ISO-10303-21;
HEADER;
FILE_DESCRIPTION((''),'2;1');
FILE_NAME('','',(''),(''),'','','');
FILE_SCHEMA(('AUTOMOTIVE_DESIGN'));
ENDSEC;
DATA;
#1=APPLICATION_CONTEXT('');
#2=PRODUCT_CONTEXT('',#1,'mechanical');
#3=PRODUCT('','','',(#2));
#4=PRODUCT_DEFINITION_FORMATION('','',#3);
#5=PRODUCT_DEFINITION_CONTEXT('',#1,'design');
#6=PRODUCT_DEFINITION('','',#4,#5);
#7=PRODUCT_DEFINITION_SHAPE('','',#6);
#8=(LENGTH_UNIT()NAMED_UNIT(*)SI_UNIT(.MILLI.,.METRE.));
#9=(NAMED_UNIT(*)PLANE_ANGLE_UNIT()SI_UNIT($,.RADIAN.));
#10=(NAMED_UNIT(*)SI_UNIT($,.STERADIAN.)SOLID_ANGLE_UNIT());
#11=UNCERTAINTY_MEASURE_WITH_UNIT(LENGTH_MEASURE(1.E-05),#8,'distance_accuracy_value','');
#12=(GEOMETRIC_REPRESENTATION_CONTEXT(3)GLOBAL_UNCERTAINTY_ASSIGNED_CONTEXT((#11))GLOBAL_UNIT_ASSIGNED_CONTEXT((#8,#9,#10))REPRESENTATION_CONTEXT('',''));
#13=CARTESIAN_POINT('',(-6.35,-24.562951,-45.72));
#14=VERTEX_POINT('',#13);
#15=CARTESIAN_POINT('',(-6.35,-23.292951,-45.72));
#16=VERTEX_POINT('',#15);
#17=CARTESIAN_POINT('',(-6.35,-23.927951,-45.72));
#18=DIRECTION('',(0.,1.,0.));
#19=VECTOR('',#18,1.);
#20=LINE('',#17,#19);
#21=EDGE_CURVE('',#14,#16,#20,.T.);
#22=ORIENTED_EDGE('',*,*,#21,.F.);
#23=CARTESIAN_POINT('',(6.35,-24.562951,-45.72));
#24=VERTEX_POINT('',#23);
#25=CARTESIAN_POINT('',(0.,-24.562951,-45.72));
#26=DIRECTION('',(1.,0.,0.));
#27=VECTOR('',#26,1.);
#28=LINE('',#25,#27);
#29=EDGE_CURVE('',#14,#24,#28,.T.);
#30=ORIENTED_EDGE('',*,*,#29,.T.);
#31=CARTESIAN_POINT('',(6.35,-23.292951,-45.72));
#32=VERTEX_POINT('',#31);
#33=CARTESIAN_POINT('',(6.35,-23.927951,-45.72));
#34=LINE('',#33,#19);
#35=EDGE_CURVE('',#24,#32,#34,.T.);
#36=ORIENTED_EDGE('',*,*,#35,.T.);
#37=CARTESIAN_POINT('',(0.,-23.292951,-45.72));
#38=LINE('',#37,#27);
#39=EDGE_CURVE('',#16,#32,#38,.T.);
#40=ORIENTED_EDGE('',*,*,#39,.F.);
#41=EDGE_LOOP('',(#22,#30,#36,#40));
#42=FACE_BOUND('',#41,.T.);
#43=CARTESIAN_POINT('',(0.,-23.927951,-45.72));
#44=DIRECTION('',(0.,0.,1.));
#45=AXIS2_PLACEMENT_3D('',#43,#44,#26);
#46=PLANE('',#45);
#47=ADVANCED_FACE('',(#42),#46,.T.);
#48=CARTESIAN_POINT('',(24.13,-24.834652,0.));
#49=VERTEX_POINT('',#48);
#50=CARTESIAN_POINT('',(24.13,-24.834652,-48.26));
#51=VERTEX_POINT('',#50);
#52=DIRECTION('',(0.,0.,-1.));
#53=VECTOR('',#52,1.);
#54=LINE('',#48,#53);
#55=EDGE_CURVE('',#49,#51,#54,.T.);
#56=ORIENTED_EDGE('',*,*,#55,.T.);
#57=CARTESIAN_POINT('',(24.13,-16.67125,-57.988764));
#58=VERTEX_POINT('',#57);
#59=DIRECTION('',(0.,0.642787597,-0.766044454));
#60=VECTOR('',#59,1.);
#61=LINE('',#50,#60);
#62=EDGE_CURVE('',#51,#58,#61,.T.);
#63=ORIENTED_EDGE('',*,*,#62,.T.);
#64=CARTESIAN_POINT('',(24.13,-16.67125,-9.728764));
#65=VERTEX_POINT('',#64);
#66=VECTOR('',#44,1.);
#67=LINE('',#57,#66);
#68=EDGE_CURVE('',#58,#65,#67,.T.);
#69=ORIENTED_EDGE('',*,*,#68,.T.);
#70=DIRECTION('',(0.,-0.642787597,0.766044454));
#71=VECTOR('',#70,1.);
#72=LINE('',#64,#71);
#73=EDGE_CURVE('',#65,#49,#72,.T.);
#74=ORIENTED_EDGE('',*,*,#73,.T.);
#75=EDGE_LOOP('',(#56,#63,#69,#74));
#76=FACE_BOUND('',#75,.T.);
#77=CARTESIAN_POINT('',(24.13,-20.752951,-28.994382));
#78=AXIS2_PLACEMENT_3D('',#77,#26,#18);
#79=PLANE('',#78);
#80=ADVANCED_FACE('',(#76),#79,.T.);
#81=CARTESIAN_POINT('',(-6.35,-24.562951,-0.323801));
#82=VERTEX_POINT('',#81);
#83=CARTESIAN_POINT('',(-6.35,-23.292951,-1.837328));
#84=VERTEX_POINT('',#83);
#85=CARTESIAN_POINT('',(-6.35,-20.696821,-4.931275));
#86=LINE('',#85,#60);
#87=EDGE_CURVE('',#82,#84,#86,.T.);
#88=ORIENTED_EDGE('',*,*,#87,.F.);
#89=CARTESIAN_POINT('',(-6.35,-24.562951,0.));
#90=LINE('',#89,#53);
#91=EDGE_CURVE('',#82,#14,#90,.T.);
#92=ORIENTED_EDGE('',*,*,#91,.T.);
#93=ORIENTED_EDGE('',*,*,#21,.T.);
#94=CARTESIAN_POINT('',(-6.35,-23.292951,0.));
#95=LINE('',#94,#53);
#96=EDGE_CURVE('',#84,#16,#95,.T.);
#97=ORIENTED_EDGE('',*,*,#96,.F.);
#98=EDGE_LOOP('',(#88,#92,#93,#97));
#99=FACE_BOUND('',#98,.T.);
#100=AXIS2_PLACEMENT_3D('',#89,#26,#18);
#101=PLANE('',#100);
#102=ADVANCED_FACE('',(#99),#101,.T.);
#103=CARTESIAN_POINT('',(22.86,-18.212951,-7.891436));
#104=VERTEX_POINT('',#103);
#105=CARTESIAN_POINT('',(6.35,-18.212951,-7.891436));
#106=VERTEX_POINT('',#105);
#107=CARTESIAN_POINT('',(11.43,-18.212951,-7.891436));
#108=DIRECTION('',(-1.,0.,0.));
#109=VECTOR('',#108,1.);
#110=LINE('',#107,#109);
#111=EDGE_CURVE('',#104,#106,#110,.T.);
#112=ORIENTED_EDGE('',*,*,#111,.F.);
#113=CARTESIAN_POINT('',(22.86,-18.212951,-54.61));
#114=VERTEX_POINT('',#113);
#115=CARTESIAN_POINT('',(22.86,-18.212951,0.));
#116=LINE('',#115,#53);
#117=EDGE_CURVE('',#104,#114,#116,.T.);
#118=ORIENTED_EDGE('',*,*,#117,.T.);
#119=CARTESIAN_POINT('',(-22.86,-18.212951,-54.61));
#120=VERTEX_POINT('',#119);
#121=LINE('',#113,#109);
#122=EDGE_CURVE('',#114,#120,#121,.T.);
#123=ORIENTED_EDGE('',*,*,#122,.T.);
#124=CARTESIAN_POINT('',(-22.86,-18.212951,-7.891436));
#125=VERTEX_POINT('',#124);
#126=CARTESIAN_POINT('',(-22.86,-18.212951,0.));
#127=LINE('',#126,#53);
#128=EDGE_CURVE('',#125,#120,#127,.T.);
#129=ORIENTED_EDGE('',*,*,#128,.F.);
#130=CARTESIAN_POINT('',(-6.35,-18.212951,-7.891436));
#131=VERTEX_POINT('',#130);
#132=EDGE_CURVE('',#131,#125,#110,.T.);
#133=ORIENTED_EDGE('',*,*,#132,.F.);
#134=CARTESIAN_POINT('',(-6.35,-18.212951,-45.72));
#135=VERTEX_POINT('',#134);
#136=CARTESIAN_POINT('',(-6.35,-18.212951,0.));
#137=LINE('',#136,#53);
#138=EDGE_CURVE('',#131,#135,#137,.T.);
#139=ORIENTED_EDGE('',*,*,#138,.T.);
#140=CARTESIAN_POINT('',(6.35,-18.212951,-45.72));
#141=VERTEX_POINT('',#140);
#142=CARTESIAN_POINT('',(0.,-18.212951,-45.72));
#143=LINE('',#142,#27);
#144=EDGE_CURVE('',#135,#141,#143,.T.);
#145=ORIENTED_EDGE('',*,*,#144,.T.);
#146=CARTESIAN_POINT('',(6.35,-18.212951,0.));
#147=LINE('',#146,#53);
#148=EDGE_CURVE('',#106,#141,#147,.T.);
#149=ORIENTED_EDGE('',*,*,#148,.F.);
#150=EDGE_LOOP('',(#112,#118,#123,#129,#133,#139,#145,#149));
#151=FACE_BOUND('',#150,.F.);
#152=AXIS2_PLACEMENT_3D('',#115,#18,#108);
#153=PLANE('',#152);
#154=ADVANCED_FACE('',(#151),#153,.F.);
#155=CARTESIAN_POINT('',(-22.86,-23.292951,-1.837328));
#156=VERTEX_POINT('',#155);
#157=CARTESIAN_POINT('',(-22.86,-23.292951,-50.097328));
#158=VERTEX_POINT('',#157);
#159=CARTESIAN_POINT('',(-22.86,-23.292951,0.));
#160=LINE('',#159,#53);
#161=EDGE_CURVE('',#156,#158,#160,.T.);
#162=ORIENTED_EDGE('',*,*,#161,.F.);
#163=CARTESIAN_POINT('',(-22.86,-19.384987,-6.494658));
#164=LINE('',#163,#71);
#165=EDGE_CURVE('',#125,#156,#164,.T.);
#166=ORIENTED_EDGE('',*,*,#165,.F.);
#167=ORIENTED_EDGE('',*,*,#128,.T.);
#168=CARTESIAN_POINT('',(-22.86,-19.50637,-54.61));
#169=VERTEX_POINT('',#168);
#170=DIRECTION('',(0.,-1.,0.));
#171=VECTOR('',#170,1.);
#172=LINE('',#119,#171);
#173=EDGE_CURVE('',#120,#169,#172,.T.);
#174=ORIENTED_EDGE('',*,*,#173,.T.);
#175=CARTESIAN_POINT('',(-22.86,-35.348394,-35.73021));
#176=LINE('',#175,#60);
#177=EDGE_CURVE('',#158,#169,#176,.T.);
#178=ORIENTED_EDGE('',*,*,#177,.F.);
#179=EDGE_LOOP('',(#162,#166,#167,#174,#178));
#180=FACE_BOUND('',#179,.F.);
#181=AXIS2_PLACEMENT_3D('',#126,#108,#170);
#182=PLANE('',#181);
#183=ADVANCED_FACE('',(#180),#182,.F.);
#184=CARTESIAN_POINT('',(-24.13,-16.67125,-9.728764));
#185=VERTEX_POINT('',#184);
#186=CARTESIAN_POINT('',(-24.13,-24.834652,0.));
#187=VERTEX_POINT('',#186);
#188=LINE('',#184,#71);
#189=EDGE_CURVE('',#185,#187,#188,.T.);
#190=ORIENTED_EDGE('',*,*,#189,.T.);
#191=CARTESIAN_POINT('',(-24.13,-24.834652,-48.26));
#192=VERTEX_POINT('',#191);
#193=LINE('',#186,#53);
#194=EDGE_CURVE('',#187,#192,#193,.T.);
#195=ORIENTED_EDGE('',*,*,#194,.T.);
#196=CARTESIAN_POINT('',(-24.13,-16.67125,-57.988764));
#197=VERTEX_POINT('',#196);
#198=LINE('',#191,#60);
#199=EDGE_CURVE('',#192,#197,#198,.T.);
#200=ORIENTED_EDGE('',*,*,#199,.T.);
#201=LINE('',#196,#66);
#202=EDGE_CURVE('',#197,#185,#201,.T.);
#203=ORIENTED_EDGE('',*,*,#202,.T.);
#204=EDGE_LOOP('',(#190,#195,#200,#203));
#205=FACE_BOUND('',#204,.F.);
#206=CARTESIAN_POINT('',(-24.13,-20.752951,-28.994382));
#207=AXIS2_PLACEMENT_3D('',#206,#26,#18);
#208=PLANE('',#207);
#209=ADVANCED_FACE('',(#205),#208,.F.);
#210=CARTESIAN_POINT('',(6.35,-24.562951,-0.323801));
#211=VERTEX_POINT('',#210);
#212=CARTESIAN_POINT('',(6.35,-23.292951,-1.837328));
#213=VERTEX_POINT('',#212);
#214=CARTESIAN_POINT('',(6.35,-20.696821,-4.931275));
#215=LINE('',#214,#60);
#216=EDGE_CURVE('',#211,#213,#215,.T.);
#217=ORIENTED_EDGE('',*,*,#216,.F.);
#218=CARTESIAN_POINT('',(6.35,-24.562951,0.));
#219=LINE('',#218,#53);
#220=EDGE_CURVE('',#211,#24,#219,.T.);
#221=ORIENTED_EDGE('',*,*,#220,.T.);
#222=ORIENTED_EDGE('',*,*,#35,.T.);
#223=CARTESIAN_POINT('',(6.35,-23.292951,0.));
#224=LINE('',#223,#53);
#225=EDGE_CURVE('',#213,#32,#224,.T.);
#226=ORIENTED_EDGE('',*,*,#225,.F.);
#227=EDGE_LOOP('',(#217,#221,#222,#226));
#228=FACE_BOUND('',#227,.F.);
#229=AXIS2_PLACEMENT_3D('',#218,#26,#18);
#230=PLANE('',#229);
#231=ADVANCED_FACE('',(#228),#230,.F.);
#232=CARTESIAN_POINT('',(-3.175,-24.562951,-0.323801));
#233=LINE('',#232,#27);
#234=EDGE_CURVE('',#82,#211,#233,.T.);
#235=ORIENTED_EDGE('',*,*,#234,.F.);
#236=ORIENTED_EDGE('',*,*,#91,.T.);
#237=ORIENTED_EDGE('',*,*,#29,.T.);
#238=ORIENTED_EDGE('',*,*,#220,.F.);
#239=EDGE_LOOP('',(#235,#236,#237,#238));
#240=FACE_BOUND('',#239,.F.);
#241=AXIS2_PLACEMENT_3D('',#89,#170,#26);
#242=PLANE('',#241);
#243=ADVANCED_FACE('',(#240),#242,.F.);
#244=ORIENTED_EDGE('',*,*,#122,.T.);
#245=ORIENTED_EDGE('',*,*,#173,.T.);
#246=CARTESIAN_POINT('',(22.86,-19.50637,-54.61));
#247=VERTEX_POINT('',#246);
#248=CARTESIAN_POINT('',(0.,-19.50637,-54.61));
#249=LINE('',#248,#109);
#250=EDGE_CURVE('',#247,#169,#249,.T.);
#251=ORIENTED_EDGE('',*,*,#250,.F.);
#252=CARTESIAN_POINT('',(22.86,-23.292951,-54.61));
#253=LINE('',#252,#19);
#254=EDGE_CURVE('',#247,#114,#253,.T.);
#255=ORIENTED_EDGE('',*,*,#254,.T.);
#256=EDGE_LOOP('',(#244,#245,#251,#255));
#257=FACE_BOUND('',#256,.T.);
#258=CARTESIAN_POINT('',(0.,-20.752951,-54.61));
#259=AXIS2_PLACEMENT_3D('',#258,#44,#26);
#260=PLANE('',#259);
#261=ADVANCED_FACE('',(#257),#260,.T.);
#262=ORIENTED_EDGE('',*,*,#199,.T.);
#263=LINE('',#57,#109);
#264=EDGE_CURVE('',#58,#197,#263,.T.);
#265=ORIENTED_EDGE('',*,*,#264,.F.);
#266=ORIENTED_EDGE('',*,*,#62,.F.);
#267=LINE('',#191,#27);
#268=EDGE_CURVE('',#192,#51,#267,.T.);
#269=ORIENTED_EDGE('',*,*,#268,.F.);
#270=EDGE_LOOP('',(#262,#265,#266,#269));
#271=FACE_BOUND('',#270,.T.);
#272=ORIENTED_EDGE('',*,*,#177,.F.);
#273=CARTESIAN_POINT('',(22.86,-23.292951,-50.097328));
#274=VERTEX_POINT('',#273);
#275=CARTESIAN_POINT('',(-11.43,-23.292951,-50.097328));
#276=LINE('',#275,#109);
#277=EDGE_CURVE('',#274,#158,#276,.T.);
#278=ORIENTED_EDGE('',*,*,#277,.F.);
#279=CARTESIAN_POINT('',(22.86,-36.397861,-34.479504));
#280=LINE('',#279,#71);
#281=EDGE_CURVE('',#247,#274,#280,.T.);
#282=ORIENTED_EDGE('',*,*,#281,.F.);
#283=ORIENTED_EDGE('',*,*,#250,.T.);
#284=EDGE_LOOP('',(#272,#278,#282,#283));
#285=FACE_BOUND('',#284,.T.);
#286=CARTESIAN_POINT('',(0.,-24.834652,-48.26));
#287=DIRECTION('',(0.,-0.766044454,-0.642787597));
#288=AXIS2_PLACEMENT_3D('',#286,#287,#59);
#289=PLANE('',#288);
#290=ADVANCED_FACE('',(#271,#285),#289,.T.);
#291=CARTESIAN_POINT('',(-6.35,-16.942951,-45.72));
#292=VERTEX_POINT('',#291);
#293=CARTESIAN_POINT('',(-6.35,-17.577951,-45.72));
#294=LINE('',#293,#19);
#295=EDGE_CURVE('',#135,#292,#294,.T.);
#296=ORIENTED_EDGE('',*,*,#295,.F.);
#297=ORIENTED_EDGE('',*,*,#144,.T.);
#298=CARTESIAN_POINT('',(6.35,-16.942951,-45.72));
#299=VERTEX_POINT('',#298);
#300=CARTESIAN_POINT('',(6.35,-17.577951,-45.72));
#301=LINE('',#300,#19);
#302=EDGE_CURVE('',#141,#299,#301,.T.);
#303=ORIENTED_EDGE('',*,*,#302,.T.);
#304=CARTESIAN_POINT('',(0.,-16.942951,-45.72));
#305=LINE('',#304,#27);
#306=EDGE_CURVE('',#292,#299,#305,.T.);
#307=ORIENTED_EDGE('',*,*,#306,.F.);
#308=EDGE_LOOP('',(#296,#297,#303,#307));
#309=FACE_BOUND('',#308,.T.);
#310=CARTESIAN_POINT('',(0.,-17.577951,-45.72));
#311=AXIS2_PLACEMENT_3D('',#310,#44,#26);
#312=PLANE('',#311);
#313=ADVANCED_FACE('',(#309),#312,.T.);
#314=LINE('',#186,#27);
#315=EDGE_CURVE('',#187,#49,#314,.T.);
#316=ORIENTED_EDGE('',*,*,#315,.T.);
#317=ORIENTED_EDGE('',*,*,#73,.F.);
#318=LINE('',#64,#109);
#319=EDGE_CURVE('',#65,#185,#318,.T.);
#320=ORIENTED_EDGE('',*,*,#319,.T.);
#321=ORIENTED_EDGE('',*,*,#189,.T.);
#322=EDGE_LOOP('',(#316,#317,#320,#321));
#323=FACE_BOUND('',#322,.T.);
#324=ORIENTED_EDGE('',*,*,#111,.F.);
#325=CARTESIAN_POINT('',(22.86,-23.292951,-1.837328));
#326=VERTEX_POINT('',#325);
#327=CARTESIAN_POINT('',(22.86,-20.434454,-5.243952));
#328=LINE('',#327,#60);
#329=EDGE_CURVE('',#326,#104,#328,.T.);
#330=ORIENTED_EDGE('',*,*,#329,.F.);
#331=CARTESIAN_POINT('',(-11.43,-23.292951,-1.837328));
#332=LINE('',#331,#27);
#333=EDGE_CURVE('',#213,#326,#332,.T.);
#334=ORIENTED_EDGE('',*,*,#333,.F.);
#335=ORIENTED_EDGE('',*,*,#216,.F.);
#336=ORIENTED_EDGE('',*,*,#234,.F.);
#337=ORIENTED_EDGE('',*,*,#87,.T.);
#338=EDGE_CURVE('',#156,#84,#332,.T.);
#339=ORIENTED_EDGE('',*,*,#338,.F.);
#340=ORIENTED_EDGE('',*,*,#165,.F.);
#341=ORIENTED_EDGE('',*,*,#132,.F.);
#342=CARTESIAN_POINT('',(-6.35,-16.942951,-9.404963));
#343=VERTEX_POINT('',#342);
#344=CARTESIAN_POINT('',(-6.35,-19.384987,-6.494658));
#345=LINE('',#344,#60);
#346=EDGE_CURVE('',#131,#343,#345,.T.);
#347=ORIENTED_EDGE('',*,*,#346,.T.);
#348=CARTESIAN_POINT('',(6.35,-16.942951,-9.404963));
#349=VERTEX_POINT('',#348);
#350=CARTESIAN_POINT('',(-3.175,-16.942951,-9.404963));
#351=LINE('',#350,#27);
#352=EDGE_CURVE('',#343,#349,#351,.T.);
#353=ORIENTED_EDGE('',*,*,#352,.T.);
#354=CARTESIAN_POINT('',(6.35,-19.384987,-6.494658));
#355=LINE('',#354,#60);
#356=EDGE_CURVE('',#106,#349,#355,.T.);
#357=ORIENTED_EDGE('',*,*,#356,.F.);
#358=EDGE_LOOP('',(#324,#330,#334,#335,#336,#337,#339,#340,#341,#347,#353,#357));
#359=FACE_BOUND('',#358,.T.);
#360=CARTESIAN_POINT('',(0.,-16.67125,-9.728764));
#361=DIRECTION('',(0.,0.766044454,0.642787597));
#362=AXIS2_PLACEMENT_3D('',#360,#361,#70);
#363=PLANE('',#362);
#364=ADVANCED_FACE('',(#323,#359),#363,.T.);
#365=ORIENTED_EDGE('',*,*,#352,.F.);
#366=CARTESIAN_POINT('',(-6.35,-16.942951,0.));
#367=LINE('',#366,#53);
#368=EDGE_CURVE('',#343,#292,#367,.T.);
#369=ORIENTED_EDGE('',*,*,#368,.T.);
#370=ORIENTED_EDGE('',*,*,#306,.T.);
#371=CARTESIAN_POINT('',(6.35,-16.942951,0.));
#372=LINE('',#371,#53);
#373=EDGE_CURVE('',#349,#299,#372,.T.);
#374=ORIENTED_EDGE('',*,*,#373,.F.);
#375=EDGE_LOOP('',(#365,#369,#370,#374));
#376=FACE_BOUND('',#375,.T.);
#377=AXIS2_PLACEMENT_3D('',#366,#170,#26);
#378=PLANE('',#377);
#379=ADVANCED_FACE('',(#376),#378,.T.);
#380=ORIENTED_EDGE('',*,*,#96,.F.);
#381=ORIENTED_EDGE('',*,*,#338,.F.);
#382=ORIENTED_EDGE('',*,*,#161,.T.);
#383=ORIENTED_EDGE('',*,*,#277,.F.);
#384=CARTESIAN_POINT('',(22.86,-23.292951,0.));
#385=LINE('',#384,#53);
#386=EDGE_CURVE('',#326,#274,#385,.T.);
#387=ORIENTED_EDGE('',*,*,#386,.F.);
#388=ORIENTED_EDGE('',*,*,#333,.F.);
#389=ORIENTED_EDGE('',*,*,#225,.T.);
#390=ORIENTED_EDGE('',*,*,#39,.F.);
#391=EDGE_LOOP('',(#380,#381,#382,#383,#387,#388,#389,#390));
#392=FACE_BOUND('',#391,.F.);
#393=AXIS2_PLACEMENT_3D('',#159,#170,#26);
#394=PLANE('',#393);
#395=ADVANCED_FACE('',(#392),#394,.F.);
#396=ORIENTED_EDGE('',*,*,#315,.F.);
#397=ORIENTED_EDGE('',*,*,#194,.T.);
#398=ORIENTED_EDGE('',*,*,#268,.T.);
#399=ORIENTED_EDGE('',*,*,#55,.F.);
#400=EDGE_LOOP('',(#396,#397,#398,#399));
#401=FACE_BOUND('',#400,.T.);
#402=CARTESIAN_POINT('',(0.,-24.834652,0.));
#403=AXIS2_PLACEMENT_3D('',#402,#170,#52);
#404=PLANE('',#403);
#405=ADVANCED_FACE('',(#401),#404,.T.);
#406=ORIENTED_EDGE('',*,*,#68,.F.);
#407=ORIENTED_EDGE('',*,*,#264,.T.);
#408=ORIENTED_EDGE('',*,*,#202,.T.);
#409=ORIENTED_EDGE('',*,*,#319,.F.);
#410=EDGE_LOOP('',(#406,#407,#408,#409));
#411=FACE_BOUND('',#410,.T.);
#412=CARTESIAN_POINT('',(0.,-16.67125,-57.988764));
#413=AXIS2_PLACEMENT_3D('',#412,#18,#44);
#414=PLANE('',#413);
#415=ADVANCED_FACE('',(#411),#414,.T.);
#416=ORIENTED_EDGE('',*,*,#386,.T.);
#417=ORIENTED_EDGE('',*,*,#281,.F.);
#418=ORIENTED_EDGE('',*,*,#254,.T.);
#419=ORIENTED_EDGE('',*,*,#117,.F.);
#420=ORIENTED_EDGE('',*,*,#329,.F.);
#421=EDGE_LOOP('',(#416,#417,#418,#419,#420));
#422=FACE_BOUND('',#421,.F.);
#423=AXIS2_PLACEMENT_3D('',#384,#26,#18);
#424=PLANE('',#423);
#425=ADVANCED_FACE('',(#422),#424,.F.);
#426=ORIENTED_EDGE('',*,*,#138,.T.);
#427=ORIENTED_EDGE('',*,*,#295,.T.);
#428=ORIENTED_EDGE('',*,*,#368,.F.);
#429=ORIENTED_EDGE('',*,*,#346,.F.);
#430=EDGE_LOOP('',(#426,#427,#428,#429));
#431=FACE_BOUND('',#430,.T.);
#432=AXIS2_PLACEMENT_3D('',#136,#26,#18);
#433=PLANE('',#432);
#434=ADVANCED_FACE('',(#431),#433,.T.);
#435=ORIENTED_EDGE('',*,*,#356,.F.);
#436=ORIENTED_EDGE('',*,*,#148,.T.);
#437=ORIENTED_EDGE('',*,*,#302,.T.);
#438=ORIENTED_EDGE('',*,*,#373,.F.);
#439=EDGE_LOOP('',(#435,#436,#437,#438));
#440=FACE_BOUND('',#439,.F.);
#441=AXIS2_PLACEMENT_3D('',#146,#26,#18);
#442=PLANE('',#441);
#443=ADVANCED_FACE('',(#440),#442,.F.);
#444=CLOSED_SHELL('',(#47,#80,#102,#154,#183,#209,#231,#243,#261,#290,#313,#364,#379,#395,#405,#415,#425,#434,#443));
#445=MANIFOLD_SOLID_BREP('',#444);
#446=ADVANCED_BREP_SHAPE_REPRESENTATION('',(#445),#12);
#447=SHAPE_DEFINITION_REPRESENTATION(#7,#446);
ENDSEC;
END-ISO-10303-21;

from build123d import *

# Parameters (mm, degrees)
F1_DEPTH = 24.13
F2_W     = 12.7
F2_H     = 1.27
F3_DEPTH = 45.72
F4_DEPTH = 54.61


with BuildPart() as f1:
    # F0 (on Right) → F1 (new body, symmetric)
    with BuildSketch(Plane.YZ):
        Polygon((-16.67125, -9.728764), (-24.834652, 0), (-24.834652, -48.26), (-16.67125, -57.988764), align=None)
    extrude(amount=F1_DEPTH, both=True)

    # F2 (on Top) → F3 (cut)
    with BuildSketch(Plane.XY):
        with Locations((0, -17.577951)):
            Rectangle(F2_W, F2_H)
        with Locations((0, -23.927951)):
            Rectangle(F2_W, F2_H)
    extrude(amount=-F3_DEPTH, mode=Mode.SUBTRACT)

    # F2 (on Top) → F4 (cut)
    with BuildSketch(Plane.XY):
        Polygon((22.86, -23.292951), (22.86, -18.212951), (6.35, -18.212951), (-6.35, -18.212951), (-22.86, -18.212951), (-22.86, -23.292951), (-6.35, -23.292951), (6.35, -23.292951), align=None)
    extrude(amount=-F4_DEPTH, mode=Mode.SUBTRACT)


solid = f1.part
